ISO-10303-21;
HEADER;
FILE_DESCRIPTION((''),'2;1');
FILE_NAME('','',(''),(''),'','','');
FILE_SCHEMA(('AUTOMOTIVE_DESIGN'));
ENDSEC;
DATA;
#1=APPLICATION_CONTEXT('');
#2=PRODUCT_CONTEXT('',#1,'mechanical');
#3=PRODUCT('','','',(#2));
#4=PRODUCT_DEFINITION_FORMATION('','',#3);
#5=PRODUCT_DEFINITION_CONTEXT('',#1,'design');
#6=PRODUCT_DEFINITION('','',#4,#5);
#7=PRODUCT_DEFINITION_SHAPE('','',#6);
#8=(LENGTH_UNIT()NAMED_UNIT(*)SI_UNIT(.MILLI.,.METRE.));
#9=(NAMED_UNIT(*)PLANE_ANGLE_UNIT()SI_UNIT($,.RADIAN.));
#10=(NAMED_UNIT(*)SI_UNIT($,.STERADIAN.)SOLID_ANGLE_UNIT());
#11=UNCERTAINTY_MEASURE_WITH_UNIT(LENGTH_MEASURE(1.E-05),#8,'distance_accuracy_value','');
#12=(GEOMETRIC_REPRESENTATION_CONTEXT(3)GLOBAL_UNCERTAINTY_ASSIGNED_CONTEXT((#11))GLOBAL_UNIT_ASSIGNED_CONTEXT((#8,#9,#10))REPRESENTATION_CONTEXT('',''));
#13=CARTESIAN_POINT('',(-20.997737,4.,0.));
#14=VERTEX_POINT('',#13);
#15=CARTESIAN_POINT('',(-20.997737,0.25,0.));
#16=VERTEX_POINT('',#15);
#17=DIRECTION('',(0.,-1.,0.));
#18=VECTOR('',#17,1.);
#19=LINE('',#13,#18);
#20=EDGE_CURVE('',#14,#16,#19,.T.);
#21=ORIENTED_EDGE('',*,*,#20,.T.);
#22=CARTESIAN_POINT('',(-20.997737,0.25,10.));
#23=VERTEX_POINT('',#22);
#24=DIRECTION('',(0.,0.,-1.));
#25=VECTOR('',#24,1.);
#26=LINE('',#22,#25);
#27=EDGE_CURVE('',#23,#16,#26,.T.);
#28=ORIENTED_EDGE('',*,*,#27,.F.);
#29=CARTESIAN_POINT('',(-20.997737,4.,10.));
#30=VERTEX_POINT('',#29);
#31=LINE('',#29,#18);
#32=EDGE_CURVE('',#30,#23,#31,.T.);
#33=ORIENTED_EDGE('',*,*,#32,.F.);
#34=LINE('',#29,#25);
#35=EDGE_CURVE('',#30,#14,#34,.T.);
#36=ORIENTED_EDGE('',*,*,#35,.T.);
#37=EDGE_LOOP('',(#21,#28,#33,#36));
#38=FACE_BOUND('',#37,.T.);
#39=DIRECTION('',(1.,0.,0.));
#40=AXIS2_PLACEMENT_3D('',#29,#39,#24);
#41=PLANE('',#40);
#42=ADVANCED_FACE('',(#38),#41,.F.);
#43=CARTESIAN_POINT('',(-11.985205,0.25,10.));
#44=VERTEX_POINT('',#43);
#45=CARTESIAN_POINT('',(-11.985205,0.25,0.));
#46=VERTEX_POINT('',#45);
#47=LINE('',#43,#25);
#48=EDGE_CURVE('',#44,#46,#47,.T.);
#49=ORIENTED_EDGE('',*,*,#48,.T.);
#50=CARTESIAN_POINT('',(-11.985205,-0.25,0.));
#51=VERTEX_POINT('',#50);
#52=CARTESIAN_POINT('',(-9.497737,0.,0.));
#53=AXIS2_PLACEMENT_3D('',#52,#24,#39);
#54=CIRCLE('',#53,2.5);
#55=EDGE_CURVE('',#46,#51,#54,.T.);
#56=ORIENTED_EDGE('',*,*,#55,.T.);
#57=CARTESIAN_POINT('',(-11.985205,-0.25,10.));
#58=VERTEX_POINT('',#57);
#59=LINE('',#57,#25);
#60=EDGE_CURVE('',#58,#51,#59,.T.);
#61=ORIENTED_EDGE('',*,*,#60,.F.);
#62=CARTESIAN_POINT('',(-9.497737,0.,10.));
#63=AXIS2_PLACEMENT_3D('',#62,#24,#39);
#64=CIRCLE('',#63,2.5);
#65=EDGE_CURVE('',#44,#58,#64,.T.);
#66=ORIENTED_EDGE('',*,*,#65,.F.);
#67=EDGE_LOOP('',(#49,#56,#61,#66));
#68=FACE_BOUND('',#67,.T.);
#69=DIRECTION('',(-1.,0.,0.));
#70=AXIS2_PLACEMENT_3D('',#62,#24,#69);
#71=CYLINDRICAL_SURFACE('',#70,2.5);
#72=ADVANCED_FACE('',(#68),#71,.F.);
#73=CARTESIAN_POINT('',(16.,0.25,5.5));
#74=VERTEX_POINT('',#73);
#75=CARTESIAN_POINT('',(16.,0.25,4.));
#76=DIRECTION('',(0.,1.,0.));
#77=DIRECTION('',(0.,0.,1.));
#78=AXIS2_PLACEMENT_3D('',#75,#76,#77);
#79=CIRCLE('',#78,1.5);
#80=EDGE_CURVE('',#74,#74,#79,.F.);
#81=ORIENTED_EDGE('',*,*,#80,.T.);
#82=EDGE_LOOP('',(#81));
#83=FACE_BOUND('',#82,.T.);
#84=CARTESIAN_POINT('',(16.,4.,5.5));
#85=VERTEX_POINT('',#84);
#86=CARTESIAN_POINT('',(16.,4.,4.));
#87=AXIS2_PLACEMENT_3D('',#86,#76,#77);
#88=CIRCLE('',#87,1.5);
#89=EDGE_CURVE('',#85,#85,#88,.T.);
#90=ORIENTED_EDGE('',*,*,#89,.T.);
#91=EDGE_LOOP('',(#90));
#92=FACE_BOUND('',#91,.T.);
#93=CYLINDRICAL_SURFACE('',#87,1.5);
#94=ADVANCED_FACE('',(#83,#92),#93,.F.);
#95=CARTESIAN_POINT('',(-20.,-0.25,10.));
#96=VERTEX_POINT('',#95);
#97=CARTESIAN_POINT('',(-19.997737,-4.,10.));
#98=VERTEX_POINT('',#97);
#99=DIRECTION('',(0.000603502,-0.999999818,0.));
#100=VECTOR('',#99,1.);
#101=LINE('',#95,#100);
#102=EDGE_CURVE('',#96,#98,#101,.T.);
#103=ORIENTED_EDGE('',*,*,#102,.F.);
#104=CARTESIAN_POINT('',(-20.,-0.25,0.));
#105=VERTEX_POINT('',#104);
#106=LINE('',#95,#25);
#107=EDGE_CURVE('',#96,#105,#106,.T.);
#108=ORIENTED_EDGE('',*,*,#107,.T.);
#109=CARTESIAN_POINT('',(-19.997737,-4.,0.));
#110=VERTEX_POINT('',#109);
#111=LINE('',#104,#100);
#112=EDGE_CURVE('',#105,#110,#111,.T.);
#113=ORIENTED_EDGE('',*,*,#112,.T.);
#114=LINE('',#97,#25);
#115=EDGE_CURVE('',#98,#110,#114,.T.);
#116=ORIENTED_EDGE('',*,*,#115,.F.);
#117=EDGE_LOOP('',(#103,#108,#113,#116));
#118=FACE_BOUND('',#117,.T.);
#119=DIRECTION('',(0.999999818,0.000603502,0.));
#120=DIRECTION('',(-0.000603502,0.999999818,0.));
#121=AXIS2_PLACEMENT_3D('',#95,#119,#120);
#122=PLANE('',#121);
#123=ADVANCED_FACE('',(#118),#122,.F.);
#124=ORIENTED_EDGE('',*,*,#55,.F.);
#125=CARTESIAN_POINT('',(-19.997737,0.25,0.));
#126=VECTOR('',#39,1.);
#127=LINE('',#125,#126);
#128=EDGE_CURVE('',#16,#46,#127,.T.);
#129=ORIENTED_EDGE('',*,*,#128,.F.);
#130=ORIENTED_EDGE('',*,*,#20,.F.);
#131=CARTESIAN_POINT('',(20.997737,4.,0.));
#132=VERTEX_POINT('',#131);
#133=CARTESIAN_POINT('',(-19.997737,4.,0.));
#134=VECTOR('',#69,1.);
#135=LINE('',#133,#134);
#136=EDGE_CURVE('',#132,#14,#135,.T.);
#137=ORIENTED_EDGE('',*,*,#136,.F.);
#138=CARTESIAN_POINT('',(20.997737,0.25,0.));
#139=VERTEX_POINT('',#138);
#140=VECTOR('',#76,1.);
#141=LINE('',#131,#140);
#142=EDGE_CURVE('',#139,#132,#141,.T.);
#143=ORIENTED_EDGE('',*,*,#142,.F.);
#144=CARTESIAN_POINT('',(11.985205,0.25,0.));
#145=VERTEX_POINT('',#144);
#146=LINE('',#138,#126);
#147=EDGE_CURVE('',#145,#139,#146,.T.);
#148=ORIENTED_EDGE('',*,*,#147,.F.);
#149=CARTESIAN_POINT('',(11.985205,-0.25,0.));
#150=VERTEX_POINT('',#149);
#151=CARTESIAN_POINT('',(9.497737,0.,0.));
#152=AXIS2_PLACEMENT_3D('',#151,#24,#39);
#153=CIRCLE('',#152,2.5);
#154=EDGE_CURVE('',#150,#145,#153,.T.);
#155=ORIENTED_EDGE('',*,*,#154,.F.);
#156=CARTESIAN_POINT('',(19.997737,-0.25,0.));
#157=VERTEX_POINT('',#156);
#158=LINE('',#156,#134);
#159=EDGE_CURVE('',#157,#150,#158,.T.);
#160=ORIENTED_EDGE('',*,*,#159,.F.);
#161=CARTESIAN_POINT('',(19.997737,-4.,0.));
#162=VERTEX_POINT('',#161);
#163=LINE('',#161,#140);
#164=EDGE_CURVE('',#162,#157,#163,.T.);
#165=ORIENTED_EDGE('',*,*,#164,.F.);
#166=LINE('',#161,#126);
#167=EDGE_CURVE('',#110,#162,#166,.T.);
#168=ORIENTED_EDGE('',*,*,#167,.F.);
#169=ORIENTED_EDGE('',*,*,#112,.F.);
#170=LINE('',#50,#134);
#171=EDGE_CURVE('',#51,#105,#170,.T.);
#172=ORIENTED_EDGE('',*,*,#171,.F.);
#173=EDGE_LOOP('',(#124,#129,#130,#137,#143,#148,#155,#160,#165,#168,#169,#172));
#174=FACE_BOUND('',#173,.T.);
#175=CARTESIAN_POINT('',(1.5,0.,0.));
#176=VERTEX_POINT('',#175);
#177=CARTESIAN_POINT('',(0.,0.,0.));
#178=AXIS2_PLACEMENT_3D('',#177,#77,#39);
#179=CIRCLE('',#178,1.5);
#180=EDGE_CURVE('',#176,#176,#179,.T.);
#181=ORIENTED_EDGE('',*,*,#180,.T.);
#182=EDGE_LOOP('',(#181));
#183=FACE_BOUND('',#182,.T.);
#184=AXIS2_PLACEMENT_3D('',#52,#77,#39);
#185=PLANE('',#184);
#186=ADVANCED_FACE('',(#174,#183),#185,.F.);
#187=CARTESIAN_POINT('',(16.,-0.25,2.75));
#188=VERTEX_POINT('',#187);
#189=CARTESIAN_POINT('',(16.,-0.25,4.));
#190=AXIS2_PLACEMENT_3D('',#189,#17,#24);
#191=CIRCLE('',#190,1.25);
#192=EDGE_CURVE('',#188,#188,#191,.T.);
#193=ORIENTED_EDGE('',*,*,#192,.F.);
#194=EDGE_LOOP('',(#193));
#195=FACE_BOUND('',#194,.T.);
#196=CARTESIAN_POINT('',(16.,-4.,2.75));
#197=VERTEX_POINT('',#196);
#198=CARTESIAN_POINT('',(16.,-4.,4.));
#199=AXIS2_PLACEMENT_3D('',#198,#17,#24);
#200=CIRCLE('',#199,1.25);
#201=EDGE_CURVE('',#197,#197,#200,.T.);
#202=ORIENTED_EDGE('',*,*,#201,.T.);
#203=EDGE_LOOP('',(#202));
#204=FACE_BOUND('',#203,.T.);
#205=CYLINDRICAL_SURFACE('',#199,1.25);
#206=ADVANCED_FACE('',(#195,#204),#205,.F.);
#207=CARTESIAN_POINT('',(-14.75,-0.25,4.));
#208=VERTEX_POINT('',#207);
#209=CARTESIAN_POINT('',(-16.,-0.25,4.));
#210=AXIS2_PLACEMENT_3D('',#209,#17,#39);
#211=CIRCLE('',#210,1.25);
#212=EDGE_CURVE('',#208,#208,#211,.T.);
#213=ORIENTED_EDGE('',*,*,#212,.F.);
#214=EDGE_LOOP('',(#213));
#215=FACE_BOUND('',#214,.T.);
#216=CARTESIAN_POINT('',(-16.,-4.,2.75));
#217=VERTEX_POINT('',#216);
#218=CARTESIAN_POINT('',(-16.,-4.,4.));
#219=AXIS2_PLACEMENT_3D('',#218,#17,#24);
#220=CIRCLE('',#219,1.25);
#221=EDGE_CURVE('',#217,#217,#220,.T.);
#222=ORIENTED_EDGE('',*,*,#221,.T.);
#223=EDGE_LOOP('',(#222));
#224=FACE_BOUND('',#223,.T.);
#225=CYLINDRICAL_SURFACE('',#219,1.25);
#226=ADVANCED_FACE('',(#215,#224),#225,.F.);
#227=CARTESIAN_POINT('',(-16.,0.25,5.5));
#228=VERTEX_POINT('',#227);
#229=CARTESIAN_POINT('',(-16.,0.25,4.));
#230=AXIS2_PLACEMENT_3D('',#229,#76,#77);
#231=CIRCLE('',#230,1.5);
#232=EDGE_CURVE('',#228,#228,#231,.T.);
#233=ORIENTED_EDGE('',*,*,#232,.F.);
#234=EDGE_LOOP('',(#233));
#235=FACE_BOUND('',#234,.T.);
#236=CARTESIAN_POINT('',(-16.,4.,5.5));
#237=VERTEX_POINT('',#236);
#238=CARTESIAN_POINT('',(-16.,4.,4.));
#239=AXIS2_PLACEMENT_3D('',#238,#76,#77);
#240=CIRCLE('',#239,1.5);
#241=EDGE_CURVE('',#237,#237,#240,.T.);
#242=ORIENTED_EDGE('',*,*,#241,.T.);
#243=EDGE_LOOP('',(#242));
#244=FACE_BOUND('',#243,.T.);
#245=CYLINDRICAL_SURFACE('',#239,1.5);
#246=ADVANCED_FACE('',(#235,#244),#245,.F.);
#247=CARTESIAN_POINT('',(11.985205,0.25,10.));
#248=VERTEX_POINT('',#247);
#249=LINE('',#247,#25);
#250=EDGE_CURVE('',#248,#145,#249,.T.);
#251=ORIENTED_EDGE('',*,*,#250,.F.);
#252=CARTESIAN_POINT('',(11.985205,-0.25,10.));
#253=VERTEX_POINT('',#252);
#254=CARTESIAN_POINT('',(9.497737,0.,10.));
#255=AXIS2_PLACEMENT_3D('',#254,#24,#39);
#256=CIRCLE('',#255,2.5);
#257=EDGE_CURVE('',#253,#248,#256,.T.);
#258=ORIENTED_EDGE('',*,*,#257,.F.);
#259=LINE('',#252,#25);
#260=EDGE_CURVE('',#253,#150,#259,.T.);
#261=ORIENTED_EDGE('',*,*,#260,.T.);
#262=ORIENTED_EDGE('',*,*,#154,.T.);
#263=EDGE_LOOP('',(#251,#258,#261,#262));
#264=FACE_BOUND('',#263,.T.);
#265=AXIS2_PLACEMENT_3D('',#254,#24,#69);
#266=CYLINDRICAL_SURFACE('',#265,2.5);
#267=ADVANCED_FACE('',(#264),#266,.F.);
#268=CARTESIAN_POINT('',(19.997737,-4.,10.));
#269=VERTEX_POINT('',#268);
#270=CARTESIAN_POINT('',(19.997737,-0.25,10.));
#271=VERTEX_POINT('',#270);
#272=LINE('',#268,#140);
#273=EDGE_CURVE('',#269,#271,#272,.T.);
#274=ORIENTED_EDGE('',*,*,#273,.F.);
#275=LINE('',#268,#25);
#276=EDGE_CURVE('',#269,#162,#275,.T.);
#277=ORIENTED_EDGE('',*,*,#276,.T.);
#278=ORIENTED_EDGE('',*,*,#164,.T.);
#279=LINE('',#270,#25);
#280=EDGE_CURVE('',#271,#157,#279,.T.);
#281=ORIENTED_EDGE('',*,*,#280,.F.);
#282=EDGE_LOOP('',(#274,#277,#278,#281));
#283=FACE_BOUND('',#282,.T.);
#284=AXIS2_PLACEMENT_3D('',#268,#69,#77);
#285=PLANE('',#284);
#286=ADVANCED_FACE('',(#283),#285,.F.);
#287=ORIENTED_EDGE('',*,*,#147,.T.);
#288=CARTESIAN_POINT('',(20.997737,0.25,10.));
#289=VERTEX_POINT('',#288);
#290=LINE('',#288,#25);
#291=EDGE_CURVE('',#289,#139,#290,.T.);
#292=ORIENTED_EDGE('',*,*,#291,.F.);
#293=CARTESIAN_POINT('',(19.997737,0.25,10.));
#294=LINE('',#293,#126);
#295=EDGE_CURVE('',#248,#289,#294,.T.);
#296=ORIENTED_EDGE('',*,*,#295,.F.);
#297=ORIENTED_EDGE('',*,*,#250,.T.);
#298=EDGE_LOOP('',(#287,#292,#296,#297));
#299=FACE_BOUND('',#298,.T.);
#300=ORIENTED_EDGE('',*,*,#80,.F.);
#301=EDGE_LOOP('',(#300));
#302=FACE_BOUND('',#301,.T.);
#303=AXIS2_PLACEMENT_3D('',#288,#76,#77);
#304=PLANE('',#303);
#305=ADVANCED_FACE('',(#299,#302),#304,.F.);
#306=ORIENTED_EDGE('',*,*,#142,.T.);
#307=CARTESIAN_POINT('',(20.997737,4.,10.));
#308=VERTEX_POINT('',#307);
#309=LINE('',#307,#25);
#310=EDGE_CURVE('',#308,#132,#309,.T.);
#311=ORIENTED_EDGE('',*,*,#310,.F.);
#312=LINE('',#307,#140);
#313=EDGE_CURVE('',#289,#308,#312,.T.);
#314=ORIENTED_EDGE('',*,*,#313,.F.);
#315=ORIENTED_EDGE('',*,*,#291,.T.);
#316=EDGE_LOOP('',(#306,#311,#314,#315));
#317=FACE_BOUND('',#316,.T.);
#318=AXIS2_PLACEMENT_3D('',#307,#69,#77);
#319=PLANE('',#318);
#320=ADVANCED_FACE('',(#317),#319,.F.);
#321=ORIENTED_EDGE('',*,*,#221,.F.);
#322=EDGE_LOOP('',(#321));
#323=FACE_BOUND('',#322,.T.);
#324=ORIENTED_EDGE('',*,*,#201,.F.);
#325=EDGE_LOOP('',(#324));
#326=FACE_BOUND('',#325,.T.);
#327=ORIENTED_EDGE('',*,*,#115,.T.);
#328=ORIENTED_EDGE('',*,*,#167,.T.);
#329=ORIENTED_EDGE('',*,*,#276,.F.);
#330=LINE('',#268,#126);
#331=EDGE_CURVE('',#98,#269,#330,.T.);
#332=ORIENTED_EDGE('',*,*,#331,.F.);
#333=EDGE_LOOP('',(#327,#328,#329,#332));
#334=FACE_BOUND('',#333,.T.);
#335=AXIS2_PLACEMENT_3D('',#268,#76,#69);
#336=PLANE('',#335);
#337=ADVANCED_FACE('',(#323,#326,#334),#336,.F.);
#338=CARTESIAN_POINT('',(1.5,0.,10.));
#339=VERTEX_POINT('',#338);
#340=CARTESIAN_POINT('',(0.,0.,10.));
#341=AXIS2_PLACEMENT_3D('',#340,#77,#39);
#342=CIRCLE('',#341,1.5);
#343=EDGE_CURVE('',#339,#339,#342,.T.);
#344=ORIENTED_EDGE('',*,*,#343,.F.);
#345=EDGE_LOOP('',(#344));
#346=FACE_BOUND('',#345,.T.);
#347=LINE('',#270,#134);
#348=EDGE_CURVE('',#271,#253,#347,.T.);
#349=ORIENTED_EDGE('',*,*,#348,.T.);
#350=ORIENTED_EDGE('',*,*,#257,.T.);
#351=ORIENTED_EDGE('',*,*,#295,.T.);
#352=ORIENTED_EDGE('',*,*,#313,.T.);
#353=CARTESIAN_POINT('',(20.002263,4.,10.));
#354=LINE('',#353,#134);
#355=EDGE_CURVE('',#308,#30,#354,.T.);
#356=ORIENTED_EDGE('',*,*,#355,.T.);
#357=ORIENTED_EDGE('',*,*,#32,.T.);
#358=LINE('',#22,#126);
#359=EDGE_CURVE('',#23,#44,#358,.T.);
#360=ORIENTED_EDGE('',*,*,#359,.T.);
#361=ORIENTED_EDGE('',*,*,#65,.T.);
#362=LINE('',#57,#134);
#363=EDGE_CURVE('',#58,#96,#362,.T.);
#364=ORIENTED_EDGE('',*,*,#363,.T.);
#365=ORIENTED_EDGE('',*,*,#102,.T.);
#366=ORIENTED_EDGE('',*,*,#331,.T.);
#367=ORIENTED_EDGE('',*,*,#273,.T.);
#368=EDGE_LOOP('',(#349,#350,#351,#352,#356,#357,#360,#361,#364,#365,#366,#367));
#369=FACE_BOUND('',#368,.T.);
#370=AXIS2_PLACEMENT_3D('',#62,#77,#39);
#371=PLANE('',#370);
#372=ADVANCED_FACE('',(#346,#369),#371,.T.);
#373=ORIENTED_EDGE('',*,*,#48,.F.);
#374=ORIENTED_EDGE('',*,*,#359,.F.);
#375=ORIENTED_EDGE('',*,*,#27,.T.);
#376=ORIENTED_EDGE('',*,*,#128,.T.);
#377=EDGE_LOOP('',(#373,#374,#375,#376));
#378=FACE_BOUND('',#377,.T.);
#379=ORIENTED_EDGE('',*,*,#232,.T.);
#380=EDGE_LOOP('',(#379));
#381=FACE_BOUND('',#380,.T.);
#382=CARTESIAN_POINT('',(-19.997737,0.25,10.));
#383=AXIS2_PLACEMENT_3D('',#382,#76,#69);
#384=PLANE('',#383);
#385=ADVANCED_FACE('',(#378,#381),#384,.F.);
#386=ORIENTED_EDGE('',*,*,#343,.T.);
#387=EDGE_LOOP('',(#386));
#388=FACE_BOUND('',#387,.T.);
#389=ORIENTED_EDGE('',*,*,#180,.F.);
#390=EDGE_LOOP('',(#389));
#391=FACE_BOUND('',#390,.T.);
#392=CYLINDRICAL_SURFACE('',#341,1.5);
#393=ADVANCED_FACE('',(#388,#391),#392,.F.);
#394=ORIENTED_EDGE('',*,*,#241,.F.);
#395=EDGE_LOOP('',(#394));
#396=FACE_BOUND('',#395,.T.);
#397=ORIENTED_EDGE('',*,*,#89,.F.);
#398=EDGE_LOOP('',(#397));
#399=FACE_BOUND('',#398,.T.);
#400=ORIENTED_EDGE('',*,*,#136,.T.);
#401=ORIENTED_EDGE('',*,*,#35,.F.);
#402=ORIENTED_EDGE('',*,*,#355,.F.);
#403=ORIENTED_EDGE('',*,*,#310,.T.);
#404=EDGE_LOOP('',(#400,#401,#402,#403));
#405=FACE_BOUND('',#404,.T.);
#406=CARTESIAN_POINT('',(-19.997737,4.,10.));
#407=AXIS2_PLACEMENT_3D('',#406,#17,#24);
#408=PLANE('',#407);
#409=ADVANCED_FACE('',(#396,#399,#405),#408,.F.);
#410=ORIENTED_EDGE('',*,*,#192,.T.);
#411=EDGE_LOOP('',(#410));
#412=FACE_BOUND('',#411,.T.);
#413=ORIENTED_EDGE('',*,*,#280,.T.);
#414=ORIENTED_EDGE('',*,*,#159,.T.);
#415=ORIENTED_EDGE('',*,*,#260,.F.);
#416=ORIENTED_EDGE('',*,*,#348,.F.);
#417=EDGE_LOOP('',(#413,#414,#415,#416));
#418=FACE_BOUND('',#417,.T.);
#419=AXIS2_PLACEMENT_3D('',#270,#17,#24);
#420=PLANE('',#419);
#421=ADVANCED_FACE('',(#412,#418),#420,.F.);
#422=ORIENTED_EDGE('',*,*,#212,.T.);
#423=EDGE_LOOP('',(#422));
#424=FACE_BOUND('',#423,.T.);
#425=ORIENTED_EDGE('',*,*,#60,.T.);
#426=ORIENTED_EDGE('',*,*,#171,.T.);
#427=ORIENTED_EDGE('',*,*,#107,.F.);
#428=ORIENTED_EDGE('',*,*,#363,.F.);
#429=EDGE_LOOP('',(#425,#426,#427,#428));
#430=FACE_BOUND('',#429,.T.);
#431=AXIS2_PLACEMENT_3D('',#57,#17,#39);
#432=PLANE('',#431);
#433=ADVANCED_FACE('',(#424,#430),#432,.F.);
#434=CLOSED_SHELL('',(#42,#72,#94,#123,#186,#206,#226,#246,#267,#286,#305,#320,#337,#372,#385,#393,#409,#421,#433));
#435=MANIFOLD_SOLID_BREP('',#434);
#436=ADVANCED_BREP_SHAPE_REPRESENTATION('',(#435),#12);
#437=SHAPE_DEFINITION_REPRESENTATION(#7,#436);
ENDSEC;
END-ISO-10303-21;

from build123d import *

# Parameters (mm, degrees)
BOSS_EXTRUDE1_DEPTH        = 10
M3X0_5_TAPPED_HOLE1_D      = 2.5
M3X0_5_TAPPED_HOLE1_DEPTH  = 3.74999984
M3X0_5_TAPPED_HOLE2_D      = 3
F_3_0MM_DOWEL_HOLE1_REACH  = 40.325
F_3_0MM_DOWEL_HOLE1_BORE_R = 1.5


with BuildPart() as part:
    # Sketch1 → Boss-Extrude1 (new body)
    with BuildSketch(Plane.XY):
        with BuildLine():
            Line((-19.997736867, 0.25), (-11.98520546, 0.25))
            ThreePointArc((-11.98520546, 0.25), (-6.997736867, 0), (-11.98520546, -0.25))
            Line((-11.98520546, -0.25), (-20, -0.25))
            Line((-20, -0.25), (-19.997736867, -3.99999984))
            Line((-19.997736867, -3.99999984), (19.997736867, -3.99999984))
            Line((19.997736867, -3.99999984), (19.997736867, -0.25))
            Line((19.997736867, -0.25), (11.98520546, -0.25))
            ThreePointArc((11.98520546, -0.25), (6.997736867, 0), (11.98520546, 0.25))
            Line((11.98520546, 0.25), (19.997736867, 0.25))
            Line((19.997736867, 0.25), (20.997736867, 0.25))
            Line((20.997736867, 0.25), (20.997736867, 3.99999984))
            Line((20.997736867, 3.99999984), (20.002263133, 3.99999984))
            Line((20.002263133, 3.99999984), (-19.997736867, 3.99999984))
            Line((-19.997736867, 3.99999984), (-20.997736867, 3.99999984))
            Line((-20.997736867, 3.99999984), (-20.997736867, 0.25))
            Line((-20.997736867, 0.25), (-19.997736867, 0.25))
        make_face()
    extrude(amount=BOSS_EXTRUDE1_DEPTH)

    # M3x0.5 Tapped Hole1
    with Locations(Plane(origin=(-16, -3.99999984, 4), x_dir=(-1, 0, 0), z_dir=(0, -1, 0))):
        with Locations((0, 0), (-32, 0)):
            Hole(M3X0_5_TAPPED_HOLE1_D / 2, depth=M3X0_5_TAPPED_HOLE1_DEPTH)

    # M3x0.5 Tapped Hole2 (through all)
    with Locations(Plane.XY.offset(10)):
        with Locations((0, 0)):
            Hole(M3X0_5_TAPPED_HOLE2_D / 2)

    # Ø3.0mm Dowel Hole1 bore (on position points) → Ø3.0mm Dowel Hole1 (cut, up to next)
    with BuildSketch(Plane(origin=(16, 3.99999984, 4), x_dir=(0, 0, 1), z_dir=(0, 1, 0)), mode=Mode.PRIVATE) as f_3_0mm_dowel_hole1_sk1:
        Circle(F_3_0MM_DOWEL_HOLE1_BORE_R)
    f_3_0mm_dowel_hole1_tool1 = extrude(f_3_0mm_dowel_hole1_sk1.sketch, amount=-F_3_0MM_DOWEL_HOLE1_REACH, mode=Mode.PRIVATE) & part.part
    # Ø3.0mm Dowel Hole1 bore (on position points) → Ø3.0mm Dowel Hole1 (cut, up to next)
    with BuildSketch(Plane(origin=(16, 3.99999984, 4), x_dir=(0, 0, 1), z_dir=(0, 1, 0)), mode=Mode.PRIVATE) as f_3_0mm_dowel_hole1_sk2:
        with Locations((0, -32)):
            Circle(F_3_0MM_DOWEL_HOLE1_BORE_R)
    f_3_0mm_dowel_hole1_tool2 = extrude(f_3_0mm_dowel_hole1_sk2.sketch, amount=-F_3_0MM_DOWEL_HOLE1_REACH, mode=Mode.PRIVATE) & part.part
    add(f_3_0mm_dowel_hole1_tool1.solids().sort_by_distance((16, 4, 4))[0], mode=Mode.SUBTRACT)
    add(f_3_0mm_dowel_hole1_tool2.solids().sort_by_distance((-16, 4, 4))[0], mode=Mode.SUBTRACT)


solid = part.part
